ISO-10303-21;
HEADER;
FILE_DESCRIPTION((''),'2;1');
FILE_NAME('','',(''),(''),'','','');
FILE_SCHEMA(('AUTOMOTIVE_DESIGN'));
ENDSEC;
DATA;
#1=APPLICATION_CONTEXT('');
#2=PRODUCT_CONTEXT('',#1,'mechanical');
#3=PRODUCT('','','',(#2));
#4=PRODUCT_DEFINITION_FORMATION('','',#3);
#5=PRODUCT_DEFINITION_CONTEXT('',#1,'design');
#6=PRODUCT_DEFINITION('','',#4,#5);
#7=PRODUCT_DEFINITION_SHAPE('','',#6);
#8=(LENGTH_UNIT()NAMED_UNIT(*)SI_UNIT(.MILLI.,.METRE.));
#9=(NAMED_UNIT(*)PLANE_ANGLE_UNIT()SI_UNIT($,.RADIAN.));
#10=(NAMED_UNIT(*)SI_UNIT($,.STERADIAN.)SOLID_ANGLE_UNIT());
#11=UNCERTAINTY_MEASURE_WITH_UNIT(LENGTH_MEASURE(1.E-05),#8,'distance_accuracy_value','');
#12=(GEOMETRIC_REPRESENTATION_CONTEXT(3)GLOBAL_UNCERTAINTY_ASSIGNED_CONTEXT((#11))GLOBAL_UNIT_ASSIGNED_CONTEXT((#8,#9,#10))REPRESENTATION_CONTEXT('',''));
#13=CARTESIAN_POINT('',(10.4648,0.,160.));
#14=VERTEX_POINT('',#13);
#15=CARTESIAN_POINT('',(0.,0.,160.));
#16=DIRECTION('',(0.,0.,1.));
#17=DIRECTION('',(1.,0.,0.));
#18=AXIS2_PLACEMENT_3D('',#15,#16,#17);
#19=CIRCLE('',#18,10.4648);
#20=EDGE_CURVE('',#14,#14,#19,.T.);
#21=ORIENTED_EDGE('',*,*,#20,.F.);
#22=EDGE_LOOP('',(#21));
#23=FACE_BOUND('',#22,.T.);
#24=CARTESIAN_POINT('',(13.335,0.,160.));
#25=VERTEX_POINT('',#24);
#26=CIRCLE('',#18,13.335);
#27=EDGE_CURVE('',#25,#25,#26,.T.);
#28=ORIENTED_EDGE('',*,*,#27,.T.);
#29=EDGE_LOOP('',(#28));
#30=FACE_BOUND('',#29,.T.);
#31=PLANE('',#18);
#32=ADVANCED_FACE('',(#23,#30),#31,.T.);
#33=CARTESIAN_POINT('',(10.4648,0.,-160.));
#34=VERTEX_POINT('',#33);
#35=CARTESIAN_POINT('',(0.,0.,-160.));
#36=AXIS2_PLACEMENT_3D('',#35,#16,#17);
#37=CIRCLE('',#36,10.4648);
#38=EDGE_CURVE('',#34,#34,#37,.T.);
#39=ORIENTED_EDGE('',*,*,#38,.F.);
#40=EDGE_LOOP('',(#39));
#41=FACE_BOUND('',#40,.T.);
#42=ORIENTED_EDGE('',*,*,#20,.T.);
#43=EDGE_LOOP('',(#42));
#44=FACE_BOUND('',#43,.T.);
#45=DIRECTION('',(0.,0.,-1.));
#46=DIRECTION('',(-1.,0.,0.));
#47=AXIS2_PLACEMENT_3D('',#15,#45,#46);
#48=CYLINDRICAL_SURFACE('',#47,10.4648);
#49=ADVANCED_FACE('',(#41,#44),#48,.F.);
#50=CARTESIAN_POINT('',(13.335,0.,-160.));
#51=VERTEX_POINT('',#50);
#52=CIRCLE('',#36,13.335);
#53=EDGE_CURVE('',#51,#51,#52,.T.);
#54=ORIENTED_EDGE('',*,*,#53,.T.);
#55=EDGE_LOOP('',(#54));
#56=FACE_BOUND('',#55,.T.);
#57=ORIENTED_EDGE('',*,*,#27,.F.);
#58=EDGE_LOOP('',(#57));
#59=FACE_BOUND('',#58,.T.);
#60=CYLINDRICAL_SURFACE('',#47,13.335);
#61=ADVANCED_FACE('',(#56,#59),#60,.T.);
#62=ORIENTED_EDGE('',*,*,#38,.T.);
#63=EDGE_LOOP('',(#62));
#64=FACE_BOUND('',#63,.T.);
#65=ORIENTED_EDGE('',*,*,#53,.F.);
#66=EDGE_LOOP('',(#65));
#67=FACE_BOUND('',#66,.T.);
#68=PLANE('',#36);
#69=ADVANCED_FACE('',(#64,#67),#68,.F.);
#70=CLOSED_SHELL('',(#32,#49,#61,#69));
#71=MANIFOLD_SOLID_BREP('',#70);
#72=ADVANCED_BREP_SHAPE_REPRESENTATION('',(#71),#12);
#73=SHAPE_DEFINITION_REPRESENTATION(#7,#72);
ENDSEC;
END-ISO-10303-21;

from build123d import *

# Parameters (mm, degrees)
SKETCH1_R           = 13.335
SKETCH1_R_2         = 10.4648
EXTRUDE_THIN1_DEPTH = 160


with BuildPart() as part:
    # Sketch1 → Extrude-Thin1 (new body, symmetric)
    with BuildSketch(Plane.XY):
        Circle(SKETCH1_R)
        Circle(SKETCH1_R_2, mode=Mode.SUBTRACT)
    extrude(amount=EXTRUDE_THIN1_DEPTH, both=True)


solid = part.part
